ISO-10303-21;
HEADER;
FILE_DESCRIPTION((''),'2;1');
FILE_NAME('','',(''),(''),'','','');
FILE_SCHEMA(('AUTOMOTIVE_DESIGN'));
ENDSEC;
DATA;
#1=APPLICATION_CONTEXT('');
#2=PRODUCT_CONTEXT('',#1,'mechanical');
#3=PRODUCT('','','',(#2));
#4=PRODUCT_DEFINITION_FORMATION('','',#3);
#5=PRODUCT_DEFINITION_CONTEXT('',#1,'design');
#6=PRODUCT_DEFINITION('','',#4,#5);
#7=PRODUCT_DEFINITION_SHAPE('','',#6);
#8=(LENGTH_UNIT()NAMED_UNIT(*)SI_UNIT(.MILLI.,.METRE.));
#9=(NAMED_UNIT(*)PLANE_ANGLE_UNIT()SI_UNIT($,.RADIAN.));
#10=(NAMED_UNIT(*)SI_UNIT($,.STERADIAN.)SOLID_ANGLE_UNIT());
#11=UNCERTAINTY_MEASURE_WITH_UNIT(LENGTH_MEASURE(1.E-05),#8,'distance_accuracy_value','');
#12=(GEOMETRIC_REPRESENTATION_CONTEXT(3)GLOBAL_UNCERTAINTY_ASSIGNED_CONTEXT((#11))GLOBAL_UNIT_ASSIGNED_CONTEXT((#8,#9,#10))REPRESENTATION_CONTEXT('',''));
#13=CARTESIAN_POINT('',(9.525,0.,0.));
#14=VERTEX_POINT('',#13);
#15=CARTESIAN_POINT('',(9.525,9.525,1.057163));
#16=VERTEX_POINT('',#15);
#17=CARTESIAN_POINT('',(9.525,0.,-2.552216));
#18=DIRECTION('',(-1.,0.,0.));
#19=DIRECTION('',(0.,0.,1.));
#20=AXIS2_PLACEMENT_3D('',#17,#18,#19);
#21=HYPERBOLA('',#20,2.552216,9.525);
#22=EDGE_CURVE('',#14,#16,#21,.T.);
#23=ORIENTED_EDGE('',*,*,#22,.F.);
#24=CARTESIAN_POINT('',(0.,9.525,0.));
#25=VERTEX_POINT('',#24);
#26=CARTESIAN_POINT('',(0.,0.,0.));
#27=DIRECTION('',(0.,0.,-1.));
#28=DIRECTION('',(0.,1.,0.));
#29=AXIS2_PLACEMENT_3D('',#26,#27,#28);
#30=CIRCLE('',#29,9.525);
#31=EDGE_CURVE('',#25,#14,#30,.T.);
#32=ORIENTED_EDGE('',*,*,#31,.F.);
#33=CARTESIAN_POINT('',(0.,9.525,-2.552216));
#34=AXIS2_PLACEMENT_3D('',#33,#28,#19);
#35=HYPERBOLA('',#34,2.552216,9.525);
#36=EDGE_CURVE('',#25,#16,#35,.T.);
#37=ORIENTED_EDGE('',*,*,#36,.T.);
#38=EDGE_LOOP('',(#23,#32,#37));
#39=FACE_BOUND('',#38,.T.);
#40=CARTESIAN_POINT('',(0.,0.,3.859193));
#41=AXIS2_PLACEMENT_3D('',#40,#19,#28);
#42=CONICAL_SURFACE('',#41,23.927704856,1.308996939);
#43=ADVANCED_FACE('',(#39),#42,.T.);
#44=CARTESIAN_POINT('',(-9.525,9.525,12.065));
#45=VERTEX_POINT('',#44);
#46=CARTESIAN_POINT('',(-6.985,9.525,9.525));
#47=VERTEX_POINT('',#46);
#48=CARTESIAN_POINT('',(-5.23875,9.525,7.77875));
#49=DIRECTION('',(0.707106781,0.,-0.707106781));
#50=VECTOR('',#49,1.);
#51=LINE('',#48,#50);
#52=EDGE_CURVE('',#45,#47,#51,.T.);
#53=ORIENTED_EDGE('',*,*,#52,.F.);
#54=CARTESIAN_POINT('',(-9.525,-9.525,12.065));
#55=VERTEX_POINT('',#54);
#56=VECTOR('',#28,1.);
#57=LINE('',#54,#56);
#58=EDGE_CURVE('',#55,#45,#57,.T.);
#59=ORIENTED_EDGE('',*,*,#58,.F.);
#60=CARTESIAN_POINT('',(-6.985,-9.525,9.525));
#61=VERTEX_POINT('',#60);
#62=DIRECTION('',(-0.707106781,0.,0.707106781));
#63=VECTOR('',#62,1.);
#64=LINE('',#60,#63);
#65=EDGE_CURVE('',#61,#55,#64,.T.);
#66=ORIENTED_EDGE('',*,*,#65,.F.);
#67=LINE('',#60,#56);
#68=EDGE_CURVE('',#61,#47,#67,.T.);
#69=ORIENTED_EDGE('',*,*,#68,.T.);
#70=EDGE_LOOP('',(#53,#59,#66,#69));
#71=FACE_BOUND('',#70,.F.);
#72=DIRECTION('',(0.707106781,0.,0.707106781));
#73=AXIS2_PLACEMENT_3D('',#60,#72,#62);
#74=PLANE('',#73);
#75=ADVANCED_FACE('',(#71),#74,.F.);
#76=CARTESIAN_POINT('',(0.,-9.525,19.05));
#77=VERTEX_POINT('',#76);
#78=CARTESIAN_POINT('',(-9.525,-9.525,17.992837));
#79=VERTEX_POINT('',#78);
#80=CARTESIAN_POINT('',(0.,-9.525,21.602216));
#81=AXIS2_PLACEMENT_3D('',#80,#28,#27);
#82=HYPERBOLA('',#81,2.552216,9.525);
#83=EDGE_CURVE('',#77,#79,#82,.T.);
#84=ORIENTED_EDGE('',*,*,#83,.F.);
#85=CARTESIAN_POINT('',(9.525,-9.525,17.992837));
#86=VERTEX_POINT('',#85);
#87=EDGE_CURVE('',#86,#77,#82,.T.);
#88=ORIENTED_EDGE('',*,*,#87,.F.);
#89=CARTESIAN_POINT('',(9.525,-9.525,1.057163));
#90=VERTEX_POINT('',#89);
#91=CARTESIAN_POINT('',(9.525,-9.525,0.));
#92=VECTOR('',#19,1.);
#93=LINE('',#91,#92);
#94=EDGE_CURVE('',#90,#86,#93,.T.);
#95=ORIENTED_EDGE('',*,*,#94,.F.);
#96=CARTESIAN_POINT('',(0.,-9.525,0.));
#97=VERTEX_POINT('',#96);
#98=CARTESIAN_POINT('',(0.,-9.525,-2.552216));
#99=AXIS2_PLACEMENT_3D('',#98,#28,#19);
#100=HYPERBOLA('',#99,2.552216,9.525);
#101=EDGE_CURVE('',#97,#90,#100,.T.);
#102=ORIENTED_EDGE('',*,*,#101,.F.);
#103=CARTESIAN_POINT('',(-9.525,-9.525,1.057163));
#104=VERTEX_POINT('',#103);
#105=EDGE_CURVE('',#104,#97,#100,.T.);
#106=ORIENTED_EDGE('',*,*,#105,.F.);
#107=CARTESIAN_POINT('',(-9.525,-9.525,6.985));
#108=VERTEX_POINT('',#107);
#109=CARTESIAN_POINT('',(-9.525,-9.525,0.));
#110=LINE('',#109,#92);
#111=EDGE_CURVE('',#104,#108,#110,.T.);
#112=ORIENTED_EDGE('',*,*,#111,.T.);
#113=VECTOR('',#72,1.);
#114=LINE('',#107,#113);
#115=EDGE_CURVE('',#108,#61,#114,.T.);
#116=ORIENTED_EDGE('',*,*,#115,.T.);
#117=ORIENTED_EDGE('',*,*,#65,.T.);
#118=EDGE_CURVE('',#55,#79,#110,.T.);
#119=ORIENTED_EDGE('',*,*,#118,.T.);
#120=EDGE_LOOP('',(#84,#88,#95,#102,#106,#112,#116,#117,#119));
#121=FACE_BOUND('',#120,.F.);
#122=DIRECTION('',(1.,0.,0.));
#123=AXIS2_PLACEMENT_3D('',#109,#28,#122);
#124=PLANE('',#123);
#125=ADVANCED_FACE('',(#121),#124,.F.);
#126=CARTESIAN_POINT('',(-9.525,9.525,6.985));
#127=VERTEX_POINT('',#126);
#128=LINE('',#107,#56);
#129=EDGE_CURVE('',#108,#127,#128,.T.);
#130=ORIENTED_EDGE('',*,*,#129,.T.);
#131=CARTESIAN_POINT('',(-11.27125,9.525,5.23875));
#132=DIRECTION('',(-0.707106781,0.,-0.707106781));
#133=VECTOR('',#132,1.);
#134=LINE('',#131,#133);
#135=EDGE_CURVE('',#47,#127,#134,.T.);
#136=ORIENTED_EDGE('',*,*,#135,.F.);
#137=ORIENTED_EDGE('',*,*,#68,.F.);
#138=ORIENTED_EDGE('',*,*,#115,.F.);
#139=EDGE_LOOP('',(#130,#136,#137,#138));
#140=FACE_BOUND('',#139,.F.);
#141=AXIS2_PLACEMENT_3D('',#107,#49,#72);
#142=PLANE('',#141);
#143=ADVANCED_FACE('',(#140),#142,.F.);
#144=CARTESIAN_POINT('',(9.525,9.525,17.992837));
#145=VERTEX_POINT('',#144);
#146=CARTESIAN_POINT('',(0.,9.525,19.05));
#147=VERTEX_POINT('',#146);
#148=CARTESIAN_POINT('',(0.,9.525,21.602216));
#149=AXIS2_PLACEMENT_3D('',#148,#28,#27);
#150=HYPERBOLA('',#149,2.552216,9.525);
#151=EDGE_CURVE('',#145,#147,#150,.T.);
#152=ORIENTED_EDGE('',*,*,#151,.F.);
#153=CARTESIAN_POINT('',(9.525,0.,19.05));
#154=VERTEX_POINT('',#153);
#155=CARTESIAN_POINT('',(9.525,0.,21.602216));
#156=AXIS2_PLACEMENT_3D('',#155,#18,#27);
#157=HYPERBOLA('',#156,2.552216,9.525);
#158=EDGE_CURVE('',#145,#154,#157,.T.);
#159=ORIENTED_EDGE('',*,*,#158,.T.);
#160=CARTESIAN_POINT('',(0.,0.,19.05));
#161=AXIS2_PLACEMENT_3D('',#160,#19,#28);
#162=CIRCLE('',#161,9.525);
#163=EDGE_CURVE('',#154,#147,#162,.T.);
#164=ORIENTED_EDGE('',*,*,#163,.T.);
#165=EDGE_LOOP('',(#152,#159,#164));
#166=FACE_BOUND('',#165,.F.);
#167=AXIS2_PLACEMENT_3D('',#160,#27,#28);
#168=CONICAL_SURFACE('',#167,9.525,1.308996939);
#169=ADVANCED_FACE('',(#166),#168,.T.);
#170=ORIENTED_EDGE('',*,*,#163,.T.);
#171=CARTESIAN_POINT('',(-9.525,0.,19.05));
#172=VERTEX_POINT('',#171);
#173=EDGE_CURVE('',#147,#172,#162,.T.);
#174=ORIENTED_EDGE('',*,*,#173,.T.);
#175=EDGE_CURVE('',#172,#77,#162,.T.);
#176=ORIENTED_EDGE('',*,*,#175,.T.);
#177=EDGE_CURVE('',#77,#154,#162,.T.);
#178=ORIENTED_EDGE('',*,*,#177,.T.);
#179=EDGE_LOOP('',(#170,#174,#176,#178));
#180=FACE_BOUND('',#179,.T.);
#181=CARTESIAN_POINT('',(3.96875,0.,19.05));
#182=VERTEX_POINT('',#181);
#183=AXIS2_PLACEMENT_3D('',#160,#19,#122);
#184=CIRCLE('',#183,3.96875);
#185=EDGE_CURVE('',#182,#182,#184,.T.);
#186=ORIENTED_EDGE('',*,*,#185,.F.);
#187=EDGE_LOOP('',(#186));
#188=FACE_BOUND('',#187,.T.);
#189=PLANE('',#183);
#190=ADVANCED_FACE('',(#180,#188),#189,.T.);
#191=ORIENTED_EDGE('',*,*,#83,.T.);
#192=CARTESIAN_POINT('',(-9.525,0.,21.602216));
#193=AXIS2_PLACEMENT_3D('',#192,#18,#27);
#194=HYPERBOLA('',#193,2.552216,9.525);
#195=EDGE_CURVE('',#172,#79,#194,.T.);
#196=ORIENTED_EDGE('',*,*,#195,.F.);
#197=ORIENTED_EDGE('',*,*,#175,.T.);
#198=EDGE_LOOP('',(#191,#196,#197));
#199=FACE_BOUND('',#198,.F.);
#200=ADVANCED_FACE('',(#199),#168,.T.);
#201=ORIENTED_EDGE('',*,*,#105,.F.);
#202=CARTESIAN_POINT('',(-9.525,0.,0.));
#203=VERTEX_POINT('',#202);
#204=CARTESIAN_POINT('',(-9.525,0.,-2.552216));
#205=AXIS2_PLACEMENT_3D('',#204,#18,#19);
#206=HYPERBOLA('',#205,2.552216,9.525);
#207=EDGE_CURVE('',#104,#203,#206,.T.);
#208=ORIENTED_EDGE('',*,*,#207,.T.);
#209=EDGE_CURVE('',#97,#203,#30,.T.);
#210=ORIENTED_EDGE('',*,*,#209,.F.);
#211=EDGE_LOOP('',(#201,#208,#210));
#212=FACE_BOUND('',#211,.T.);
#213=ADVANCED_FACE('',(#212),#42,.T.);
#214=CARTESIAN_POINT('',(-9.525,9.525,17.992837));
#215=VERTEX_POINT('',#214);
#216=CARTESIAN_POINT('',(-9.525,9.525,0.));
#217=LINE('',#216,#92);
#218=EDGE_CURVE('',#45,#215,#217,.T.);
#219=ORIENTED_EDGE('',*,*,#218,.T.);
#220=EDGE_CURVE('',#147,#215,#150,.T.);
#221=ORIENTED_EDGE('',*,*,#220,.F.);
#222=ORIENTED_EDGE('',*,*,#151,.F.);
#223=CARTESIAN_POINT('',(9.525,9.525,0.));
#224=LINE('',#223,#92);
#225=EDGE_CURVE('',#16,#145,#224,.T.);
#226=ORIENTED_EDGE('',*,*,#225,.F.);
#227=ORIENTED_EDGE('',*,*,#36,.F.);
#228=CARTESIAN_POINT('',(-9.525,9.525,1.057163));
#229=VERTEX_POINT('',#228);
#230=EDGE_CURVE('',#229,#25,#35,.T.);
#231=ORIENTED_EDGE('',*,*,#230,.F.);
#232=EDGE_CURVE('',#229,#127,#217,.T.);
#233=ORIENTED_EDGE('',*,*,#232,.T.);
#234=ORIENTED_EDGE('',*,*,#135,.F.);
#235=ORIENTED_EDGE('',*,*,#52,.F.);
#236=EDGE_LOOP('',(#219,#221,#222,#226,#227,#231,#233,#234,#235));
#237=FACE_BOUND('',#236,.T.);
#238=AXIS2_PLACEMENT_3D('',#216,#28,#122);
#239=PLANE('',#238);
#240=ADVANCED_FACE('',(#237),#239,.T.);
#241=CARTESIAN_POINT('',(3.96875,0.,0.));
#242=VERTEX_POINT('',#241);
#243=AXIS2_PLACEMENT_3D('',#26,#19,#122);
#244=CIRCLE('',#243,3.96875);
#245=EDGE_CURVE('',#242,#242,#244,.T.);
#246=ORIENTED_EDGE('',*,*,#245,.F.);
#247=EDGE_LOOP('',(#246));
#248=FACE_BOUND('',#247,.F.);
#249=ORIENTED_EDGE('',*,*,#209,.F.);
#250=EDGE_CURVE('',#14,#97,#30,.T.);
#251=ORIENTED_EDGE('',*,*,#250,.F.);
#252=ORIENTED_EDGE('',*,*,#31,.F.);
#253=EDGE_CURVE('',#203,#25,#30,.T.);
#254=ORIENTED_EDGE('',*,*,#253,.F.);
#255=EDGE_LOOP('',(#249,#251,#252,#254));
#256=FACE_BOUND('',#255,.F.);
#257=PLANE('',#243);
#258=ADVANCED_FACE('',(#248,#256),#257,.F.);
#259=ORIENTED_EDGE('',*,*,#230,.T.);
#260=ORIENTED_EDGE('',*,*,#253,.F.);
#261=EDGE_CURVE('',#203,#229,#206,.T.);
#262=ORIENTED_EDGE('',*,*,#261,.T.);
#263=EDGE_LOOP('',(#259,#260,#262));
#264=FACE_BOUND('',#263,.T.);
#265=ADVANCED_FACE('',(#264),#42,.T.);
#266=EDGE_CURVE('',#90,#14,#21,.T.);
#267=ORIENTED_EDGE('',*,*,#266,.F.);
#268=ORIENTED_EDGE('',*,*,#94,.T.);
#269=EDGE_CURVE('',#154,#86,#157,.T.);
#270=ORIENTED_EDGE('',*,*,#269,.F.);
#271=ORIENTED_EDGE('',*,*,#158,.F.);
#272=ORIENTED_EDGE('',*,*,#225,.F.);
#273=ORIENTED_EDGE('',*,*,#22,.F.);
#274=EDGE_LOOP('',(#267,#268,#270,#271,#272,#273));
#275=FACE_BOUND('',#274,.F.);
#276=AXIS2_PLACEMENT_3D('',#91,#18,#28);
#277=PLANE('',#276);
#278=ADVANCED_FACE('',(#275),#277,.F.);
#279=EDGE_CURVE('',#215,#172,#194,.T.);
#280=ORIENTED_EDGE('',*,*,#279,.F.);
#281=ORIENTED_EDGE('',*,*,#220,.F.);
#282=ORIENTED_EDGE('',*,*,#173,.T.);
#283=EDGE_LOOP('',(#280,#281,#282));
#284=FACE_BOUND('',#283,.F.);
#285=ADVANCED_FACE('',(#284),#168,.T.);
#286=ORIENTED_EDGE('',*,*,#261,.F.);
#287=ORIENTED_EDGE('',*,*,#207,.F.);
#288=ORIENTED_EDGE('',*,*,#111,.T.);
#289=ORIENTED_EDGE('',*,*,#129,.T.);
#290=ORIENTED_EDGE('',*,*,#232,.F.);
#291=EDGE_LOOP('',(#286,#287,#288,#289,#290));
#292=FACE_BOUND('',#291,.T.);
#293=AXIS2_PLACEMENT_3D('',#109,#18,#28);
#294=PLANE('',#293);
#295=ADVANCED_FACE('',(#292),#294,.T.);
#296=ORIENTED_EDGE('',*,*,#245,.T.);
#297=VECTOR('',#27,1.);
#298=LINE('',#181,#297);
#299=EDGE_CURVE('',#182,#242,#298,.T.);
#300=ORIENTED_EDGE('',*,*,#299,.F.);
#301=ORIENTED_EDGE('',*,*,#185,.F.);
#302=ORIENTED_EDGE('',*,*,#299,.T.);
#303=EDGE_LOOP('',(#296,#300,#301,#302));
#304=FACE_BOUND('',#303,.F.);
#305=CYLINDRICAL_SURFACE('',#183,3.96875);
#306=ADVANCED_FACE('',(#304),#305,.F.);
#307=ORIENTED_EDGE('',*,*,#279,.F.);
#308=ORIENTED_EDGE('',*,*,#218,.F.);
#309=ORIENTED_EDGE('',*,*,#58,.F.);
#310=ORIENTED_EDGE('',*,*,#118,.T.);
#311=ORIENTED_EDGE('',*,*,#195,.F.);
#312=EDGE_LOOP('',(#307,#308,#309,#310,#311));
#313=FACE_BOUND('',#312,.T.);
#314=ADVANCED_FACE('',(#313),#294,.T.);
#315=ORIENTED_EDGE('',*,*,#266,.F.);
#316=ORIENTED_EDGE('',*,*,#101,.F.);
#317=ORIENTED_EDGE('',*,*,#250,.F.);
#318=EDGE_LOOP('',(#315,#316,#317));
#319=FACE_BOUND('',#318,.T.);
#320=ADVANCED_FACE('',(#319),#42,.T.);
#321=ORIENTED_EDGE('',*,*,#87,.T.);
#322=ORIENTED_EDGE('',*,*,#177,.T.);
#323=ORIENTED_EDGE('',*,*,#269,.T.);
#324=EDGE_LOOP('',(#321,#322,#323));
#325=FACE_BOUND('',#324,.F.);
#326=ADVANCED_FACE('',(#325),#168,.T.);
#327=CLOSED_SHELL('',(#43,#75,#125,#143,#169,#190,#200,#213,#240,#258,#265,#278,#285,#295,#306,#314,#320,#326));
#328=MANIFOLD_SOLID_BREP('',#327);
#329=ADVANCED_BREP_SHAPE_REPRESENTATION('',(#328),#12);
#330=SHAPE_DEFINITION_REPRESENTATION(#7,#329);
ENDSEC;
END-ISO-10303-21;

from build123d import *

# Parameters (mm, degrees)
F0_W      = 19.05
F0_H      = 19.05
F1_DEPTH  = 19.05
F2_R      = 3.96875
F3_DEPTH  = 25.4
F11_DEPTH = 25.4


with BuildPart() as f1:
    # F0 (on Top) → F1 (new body)
    with BuildSketch(Plane.XY):
        Rectangle(F0_W, F0_H)
    extrude(amount=F1_DEPTH)

    # F2 (on face) → F3 (cut)
    with BuildSketch(Plane.XY.offset(19.05)):
        Circle(F2_R)
    extrude(amount=-F3_DEPTH, mode=Mode.SUBTRACT)

    # F6 (on offset) → F7 (revolve, cut)
    with BuildSketch(Plane.YZ):
        Polygon((23.9277048558, 3.8591931349), (9.525, 0), (23.9277048558, 0), align=None)
    revolve(axis=Axis((0, 0, 0), (0, 0, -1)), mode=Mode.SUBTRACT)

    # F8 (on offset) → F9 (revolve, cut)
    with BuildSketch(Plane.YZ):
        Polygon((19.2026580361, 19.05), (9.525, 19.05), (19.2026580361, 16.4568793446), align=None)
    revolve(axis=Axis((0, 0, 19.05), (0, 0, 1)), mode=Mode.SUBTRACT)

    # F10 (on face) → F11 (cut)
    with BuildSketch(Plane.XZ.offset(9.525)):
        Polygon((-9.525, 12.065), (-9.525, 9.525), (-6.985, 9.525), align=None)
        Polygon((-6.985, 9.525), (-9.525, 9.525), (-9.525, 6.985), align=None)
    extrude(amount=-F11_DEPTH, mode=Mode.SUBTRACT)


solid = f1.part
